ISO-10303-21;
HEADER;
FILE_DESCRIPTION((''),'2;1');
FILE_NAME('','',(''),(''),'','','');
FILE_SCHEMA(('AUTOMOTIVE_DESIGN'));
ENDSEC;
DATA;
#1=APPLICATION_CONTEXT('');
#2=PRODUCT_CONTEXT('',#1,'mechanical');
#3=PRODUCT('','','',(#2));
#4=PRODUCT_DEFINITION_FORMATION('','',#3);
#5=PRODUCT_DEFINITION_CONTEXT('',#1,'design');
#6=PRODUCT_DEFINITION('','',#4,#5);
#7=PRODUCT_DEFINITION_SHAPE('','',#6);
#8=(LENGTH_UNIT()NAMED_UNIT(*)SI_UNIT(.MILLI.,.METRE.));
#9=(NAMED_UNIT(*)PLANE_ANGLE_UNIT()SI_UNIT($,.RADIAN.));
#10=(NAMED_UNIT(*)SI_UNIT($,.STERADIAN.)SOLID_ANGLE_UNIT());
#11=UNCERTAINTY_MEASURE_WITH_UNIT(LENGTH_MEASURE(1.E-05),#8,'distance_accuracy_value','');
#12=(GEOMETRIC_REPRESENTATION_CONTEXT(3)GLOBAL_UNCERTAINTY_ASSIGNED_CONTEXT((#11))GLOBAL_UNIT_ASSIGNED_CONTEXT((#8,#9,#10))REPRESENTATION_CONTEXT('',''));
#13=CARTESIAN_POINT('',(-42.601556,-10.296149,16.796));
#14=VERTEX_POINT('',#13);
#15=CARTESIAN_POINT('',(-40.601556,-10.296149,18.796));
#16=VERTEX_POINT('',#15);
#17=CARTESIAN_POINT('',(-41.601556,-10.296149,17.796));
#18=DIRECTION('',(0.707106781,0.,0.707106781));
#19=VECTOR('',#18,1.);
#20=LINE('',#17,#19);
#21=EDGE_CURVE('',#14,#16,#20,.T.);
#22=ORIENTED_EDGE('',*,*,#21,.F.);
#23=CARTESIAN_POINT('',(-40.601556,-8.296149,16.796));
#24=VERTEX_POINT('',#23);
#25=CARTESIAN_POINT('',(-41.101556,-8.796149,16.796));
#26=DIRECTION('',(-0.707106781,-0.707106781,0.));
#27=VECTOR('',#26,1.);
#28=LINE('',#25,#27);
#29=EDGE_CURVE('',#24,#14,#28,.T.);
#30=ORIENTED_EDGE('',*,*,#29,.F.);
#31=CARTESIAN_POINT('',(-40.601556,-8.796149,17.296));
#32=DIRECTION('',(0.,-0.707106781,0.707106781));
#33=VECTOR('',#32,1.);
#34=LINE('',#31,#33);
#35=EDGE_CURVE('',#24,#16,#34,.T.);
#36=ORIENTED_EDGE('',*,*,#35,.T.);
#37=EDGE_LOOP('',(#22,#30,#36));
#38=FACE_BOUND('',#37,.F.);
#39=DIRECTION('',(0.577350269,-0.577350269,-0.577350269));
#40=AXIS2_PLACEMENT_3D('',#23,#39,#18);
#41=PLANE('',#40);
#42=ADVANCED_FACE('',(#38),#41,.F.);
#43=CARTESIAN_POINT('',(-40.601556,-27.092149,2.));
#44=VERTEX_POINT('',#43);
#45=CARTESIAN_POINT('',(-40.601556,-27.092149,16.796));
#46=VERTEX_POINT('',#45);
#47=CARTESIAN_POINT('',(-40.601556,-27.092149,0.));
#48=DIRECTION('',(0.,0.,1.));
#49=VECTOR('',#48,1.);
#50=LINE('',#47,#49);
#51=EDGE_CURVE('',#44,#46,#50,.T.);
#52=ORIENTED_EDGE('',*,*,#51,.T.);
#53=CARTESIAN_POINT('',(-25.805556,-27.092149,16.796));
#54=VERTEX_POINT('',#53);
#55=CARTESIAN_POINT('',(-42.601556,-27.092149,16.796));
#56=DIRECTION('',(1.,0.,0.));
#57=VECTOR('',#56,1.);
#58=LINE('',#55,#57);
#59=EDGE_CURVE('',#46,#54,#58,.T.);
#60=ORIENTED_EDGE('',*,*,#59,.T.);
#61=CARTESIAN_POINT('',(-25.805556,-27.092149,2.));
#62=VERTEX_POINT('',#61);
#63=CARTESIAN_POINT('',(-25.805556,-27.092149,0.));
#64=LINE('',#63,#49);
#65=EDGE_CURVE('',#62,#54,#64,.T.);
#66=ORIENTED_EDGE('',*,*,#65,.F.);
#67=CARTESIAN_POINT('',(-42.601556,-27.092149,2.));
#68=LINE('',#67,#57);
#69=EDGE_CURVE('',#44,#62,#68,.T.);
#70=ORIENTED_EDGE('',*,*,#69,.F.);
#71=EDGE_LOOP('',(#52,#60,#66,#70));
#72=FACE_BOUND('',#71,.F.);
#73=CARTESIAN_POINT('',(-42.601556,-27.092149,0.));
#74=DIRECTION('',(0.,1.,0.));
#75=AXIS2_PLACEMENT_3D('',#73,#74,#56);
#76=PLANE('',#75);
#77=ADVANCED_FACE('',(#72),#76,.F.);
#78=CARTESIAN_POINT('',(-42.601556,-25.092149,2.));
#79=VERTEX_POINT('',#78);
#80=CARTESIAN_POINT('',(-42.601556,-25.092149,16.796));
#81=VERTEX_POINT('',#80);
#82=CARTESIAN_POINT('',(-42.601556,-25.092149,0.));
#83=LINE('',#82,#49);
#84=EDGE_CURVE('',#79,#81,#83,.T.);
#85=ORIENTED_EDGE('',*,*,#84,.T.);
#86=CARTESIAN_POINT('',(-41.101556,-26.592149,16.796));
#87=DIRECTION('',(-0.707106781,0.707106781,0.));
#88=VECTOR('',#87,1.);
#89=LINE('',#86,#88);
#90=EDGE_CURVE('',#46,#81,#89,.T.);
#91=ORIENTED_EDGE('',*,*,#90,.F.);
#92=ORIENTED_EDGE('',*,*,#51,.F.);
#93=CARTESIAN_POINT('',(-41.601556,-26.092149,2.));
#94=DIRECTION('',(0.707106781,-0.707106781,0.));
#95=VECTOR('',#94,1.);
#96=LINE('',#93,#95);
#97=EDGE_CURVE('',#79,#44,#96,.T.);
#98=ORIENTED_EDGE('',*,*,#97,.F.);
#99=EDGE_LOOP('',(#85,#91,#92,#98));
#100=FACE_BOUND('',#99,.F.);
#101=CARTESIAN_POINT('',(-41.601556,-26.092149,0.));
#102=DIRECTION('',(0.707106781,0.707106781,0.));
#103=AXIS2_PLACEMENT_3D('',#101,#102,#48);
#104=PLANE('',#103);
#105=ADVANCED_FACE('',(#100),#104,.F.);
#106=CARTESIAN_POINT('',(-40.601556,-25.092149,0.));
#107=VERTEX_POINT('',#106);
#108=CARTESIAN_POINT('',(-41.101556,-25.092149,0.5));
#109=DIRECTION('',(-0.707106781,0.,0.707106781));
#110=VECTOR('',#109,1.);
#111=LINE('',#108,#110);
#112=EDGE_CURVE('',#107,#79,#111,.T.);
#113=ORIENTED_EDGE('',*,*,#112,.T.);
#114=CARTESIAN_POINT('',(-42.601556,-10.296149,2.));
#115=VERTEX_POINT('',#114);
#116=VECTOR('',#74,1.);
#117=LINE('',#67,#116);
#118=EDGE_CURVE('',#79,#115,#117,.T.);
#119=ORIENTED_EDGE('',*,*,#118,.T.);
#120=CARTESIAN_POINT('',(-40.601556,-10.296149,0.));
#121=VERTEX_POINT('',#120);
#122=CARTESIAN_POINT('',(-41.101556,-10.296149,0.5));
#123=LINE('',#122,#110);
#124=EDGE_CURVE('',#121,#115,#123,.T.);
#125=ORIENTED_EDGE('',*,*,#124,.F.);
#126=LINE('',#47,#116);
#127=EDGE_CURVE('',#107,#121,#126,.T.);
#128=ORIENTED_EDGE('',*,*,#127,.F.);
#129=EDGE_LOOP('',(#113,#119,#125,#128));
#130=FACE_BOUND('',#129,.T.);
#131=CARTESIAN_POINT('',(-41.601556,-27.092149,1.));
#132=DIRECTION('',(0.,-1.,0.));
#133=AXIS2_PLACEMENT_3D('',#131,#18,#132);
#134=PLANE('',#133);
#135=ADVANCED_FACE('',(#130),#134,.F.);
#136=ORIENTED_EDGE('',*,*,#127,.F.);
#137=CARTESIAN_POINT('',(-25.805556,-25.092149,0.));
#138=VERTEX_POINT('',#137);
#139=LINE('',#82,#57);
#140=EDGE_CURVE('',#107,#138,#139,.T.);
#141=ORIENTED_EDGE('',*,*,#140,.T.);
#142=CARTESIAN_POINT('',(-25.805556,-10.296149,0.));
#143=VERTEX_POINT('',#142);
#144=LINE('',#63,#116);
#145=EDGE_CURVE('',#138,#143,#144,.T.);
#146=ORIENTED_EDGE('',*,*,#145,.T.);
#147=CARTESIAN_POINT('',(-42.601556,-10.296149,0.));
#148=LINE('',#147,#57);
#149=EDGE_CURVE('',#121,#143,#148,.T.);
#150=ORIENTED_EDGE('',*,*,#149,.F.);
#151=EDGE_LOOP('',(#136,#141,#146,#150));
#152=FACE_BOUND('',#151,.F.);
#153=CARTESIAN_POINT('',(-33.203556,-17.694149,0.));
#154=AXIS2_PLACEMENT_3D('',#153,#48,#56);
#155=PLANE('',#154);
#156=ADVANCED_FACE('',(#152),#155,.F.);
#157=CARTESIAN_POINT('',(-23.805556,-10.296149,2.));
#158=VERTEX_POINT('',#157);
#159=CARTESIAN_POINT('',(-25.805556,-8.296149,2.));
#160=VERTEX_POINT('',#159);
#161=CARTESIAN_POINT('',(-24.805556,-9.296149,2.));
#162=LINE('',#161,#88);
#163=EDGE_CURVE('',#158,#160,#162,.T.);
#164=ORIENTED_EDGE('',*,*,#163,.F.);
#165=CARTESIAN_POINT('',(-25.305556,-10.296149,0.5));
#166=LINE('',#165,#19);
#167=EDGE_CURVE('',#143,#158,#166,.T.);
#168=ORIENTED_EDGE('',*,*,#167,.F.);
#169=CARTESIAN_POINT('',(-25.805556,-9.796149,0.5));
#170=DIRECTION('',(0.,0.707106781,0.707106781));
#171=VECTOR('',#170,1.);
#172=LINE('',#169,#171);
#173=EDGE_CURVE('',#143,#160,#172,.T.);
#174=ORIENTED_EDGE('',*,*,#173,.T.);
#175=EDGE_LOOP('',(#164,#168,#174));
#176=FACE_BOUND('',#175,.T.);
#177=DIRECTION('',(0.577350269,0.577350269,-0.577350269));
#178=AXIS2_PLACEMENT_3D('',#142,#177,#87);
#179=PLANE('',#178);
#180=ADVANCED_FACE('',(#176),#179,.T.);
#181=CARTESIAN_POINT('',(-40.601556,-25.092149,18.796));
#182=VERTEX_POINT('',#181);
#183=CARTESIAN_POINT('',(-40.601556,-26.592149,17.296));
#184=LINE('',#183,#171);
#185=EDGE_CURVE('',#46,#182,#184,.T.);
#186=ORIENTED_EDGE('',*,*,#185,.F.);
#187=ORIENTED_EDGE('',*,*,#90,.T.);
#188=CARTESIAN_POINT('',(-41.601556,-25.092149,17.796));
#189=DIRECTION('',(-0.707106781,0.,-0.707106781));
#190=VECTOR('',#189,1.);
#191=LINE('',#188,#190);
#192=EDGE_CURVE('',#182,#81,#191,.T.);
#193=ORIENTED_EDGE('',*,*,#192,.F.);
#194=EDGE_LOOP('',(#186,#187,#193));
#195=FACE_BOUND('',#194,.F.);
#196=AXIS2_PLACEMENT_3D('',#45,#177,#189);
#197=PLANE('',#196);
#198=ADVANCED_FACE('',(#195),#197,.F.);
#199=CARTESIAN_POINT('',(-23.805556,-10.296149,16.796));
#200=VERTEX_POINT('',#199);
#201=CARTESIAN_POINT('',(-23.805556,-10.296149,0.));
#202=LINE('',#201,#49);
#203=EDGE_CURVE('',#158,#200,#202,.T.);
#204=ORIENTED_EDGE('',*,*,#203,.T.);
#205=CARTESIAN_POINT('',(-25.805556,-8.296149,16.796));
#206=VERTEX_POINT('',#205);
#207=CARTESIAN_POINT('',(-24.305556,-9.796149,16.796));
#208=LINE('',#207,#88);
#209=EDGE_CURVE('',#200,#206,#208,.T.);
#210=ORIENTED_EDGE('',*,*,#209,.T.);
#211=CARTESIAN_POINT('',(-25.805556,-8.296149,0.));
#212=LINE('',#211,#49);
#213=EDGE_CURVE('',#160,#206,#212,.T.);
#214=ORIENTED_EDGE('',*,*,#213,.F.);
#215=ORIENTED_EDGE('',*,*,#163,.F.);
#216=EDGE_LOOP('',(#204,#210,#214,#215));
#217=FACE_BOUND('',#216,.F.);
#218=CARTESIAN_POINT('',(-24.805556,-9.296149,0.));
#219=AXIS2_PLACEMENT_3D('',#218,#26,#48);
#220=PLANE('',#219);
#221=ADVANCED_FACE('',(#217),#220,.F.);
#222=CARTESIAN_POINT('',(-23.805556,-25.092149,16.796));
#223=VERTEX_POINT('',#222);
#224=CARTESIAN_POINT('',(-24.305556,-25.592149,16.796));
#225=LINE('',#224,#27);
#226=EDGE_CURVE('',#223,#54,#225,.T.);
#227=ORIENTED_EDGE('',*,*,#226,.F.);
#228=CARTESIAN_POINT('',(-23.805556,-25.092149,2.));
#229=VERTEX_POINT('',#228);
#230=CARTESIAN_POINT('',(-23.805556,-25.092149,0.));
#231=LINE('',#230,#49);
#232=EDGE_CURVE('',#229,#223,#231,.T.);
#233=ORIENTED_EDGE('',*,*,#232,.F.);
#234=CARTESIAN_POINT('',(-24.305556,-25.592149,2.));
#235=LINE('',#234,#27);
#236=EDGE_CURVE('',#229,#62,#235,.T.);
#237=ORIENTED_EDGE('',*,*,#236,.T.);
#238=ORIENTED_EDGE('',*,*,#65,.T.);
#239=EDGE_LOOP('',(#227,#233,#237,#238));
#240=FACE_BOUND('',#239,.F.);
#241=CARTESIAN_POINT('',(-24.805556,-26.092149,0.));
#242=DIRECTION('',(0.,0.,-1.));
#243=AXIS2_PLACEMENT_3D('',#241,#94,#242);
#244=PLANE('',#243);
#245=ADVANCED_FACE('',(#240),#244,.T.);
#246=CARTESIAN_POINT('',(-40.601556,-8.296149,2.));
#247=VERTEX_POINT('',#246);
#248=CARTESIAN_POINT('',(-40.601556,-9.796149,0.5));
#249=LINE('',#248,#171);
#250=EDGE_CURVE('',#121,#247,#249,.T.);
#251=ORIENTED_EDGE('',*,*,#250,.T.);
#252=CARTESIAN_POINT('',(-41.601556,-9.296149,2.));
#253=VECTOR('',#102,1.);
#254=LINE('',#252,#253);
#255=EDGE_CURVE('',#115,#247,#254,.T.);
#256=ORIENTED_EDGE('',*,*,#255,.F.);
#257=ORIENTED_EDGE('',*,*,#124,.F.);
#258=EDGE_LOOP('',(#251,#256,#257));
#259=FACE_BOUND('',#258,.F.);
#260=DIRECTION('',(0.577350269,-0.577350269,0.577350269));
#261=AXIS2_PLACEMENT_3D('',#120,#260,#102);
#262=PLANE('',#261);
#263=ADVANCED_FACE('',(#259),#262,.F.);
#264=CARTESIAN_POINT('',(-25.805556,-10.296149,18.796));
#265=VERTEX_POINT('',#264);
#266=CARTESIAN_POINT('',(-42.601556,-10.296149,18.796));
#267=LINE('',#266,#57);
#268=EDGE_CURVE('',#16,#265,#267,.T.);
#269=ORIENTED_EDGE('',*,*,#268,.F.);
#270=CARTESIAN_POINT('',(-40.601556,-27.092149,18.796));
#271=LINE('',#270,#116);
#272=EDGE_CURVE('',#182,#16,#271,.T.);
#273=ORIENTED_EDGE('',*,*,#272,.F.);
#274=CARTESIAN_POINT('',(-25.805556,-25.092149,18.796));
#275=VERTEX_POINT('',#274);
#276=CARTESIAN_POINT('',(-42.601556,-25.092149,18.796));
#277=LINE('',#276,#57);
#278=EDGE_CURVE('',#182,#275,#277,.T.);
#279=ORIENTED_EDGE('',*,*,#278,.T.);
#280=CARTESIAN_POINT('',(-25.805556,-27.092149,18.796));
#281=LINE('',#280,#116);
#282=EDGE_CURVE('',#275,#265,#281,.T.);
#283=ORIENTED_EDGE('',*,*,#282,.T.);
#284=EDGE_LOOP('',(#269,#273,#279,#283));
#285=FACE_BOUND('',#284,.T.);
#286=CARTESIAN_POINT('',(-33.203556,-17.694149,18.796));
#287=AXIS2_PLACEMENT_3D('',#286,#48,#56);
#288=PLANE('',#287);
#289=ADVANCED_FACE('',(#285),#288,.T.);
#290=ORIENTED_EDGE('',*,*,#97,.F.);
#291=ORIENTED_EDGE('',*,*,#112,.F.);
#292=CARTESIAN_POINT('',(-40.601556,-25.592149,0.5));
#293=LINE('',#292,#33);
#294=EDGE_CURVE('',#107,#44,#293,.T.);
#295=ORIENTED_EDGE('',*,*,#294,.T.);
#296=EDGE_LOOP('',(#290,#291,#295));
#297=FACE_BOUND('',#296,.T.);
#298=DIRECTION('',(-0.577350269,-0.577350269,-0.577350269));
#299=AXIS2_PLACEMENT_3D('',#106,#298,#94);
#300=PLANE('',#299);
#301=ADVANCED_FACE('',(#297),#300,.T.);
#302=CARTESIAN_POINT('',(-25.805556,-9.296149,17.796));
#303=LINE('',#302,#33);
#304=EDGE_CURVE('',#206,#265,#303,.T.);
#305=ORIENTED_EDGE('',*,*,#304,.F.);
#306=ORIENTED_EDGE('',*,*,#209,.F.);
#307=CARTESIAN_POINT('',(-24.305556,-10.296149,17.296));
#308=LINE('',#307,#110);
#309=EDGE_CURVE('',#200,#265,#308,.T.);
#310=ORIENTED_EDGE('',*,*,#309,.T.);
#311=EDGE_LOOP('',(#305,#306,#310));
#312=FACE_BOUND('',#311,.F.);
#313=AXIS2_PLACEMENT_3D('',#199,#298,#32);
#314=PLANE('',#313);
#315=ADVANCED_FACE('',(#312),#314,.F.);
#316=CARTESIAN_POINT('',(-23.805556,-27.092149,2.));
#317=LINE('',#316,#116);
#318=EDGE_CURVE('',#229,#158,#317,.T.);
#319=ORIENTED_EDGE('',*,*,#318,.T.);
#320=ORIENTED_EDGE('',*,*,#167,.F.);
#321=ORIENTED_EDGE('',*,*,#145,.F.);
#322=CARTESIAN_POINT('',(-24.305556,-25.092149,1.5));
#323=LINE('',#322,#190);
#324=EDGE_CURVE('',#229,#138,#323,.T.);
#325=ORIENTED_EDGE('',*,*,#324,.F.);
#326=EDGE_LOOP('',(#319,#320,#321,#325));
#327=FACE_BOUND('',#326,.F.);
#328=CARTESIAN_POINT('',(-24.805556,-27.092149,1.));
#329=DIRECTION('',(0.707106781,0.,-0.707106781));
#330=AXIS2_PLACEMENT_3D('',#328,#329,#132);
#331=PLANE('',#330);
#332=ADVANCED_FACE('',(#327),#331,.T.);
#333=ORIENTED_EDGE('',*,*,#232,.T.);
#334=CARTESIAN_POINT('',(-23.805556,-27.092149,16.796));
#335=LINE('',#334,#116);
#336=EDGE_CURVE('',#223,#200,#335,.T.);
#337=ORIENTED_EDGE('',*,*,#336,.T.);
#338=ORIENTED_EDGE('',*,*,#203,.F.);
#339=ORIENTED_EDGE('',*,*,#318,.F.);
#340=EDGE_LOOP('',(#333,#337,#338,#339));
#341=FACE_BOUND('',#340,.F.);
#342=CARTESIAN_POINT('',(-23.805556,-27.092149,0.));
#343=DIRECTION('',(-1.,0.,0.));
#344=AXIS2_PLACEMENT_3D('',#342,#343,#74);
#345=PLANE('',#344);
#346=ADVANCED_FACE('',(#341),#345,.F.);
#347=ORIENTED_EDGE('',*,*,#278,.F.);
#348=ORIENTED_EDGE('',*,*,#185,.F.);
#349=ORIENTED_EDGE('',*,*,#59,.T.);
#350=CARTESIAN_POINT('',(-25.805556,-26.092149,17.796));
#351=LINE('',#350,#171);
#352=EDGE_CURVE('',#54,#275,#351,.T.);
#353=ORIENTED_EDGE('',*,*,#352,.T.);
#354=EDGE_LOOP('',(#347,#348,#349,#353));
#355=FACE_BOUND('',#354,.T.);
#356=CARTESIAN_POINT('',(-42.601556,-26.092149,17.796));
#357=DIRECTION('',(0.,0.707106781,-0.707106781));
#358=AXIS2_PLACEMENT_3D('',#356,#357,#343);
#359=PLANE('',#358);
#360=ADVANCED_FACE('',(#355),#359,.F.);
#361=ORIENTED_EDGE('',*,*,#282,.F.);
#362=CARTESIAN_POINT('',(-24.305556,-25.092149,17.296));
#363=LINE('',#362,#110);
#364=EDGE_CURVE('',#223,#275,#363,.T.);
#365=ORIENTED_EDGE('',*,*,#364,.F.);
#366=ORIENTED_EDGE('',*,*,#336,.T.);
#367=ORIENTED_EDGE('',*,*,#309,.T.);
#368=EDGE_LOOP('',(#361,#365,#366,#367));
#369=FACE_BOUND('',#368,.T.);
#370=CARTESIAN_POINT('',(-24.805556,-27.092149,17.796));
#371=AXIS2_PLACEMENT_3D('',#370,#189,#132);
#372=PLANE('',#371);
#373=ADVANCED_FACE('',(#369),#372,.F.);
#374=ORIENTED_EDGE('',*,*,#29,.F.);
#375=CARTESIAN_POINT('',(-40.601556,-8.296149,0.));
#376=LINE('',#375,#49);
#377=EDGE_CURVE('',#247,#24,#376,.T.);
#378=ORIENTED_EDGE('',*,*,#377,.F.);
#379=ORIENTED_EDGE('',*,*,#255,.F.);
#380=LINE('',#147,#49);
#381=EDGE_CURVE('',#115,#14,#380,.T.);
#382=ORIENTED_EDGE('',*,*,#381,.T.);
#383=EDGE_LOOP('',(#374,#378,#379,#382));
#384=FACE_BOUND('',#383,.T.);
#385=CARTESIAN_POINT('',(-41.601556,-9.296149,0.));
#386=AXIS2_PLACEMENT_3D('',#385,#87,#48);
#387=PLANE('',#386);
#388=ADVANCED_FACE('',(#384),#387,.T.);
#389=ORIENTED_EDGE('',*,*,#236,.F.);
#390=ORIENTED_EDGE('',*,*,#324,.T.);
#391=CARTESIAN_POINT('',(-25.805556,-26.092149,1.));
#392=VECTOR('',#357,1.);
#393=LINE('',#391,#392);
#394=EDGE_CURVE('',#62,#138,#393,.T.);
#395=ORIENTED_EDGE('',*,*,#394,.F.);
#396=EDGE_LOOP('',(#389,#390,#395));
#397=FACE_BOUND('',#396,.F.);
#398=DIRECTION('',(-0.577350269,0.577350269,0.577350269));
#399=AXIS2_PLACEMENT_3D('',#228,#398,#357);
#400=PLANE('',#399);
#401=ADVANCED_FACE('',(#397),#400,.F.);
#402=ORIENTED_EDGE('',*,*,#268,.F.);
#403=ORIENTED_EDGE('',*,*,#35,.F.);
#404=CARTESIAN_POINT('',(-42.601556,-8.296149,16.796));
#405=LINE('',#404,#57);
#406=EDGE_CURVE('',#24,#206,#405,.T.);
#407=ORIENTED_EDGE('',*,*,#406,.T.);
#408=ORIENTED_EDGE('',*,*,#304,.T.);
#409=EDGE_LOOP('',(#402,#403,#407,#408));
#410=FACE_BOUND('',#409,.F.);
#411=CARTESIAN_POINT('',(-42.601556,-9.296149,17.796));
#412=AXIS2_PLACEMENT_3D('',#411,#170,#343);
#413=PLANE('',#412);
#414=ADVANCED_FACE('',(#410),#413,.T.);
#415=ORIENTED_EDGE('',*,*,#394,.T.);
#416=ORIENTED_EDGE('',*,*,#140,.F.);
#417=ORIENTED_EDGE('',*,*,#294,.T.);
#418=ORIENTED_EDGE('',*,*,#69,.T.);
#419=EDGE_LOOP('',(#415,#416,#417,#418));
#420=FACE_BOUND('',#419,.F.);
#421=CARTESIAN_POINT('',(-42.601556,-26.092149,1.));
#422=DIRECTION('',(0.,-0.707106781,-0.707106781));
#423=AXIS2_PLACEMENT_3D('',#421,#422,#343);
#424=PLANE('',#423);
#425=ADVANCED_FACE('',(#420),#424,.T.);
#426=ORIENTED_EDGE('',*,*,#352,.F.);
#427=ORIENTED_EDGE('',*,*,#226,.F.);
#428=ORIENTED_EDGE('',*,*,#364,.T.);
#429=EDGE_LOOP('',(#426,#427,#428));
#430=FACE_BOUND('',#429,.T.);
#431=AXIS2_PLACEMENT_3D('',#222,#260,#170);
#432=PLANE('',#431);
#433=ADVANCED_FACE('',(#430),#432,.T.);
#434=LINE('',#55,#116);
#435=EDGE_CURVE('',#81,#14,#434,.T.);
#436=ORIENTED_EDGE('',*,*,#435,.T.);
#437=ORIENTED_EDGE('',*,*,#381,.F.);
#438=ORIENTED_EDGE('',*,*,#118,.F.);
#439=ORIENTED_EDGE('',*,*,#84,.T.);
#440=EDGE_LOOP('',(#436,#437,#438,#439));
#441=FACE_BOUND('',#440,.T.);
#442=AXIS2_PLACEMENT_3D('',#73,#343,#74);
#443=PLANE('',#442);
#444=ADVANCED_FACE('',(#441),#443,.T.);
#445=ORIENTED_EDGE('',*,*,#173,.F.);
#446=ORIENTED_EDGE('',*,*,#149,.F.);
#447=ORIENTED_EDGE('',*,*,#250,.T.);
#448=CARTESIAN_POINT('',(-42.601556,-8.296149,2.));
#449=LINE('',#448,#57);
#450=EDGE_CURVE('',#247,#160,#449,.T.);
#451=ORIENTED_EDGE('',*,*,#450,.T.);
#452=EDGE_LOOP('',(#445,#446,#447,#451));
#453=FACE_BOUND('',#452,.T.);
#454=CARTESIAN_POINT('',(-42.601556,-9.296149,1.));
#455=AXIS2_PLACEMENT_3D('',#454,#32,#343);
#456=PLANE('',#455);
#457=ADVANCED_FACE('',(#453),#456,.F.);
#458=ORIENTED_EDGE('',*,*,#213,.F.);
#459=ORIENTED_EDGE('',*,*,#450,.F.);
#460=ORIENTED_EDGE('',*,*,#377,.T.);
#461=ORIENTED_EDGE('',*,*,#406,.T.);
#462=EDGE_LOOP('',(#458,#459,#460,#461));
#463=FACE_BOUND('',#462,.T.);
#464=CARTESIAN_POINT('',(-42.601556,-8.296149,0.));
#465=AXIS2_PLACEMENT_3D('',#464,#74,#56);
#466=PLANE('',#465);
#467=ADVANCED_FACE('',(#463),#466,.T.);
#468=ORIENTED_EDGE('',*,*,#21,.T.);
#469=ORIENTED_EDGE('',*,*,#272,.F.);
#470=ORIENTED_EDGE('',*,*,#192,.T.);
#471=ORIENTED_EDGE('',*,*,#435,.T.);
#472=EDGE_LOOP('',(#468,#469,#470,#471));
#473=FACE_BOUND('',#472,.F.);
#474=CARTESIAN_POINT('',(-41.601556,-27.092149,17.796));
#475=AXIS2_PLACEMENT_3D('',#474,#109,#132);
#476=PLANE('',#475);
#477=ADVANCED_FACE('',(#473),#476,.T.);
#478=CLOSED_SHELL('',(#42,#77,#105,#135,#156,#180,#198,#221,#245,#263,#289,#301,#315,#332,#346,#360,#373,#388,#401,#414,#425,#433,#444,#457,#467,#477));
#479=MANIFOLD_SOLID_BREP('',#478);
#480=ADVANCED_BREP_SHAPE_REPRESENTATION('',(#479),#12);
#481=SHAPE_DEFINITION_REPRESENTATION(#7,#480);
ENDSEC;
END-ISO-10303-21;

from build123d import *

# Parameters (mm, degrees)
F0_W     = 18.796
F0_H     = 18.796
F1_DEPTH = 18.796
F2_SIZE2 = 2
F2_SIZE  = 2


with BuildPart() as f1:
    # F0 (on Top) → F1 (new body)
    with BuildSketch(Plane.XY):
        with Locations((-33.203556, -17.694149)):
            Rectangle(F0_W, F0_H)
    extrude(amount=F1_DEPTH)

    # F2
    f2_edges = [f1.edges().sort_by_distance(p)[0] for p in [
        (-42.601556, -17.694149, 18.796),
        (-33.203556, -27.092149, 18.796),
        (-42.601556, -27.092149, 9.398),
        (-42.601556, -8.296149, 9.398),
        (-42.601556, -17.694149, 0),
        (-33.203556, -27.092149, 0),
        (-23.805556, -27.092149, 9.398),
        (-33.203556, -8.296149, 18.796),
        (-23.805556, -8.296149, 9.398),
        (-23.805556, -17.694149, 0),
        (-23.805556, -17.694149, 18.796),
        (-33.203556, -8.296149, 0),
    ]]
    chamfer(f2_edges, length=F2_SIZE, length2=F2_SIZE2)


solid = f1.part
